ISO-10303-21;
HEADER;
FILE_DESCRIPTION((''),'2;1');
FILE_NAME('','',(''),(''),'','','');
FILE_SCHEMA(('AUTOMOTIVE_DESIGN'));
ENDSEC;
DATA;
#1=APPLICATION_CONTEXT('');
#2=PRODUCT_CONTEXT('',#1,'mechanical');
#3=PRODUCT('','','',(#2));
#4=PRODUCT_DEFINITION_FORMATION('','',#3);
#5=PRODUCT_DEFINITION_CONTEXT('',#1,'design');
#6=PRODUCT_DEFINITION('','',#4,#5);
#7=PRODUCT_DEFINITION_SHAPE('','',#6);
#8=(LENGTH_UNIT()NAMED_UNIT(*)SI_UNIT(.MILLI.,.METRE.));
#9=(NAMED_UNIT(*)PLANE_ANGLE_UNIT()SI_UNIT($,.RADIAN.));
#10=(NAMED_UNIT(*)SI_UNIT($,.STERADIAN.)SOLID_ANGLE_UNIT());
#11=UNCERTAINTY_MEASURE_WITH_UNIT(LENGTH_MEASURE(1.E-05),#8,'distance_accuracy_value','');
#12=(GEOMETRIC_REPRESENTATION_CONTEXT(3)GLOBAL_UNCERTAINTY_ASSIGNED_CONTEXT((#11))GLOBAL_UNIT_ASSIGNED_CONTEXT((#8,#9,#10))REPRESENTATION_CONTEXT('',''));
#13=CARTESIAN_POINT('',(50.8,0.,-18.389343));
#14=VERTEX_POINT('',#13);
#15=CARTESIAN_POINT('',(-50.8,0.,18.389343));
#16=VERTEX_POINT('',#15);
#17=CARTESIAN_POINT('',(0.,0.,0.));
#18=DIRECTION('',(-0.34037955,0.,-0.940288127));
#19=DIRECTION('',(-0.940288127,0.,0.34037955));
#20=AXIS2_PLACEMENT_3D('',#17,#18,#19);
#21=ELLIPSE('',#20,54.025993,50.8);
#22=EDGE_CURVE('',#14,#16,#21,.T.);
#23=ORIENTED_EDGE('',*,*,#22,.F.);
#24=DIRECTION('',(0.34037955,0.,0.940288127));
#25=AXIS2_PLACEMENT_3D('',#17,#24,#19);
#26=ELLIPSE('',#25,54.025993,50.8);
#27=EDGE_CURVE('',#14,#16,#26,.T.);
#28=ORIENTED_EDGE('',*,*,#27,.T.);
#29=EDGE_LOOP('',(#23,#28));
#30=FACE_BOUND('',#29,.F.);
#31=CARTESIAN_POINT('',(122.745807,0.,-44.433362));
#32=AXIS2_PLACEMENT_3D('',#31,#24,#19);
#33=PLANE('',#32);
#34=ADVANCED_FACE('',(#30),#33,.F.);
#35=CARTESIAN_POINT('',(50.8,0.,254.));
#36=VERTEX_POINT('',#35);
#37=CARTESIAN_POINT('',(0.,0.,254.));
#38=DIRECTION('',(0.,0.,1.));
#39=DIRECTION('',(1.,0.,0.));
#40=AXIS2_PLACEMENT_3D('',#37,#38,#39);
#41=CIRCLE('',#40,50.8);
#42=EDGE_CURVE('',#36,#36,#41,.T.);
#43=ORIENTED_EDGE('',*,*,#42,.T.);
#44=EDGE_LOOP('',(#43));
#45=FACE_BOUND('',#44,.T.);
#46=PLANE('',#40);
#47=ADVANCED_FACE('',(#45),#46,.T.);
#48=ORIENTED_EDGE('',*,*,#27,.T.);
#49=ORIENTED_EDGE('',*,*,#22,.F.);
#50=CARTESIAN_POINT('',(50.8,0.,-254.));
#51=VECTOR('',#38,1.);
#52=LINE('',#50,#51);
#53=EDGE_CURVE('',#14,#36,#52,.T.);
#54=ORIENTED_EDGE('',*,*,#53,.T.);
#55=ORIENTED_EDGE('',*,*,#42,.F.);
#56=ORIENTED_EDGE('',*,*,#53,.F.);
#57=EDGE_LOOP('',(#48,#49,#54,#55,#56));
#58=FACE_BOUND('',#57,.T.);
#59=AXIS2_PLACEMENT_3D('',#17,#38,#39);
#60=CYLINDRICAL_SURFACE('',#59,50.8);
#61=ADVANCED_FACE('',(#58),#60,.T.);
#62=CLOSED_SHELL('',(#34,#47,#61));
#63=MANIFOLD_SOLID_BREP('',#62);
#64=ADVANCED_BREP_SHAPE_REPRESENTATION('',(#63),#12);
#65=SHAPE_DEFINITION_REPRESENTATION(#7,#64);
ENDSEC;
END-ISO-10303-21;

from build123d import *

# Parameters (mm, degrees)
F0_R          = 50.8
F1_DEPTH      = 254
F1_DEPTH_BACK = 254
F3_DEPTH      = 50.801
F3_DEPTH_BACK = 50.801


with BuildPart() as f1:
    # F0 (on Top) → F1 (new body, two sides)
    with BuildSketch(Plane.XY) as f1_sk:
        Circle(F0_R)
    extrude(amount=F1_DEPTH)
    extrude(f1_sk.sketch, amount=-F1_DEPTH_BACK)

    # F2 (on Front) → F3 (cut, two sides)
    with BuildSketch(Plane.XZ) as f3_sk:
        Polygon((122.7458069008, -44.4333617997), (0, 0), (-134.6860029851, 48.7556524422), (-124.8639100347, -294.2718945596), (92.1349055018, -299.8870395277), align=None)
    extrude(amount=-F3_DEPTH, mode=Mode.SUBTRACT)
    extrude(f3_sk.sketch, amount=F3_DEPTH_BACK, mode=Mode.SUBTRACT)


solid = f1.part
